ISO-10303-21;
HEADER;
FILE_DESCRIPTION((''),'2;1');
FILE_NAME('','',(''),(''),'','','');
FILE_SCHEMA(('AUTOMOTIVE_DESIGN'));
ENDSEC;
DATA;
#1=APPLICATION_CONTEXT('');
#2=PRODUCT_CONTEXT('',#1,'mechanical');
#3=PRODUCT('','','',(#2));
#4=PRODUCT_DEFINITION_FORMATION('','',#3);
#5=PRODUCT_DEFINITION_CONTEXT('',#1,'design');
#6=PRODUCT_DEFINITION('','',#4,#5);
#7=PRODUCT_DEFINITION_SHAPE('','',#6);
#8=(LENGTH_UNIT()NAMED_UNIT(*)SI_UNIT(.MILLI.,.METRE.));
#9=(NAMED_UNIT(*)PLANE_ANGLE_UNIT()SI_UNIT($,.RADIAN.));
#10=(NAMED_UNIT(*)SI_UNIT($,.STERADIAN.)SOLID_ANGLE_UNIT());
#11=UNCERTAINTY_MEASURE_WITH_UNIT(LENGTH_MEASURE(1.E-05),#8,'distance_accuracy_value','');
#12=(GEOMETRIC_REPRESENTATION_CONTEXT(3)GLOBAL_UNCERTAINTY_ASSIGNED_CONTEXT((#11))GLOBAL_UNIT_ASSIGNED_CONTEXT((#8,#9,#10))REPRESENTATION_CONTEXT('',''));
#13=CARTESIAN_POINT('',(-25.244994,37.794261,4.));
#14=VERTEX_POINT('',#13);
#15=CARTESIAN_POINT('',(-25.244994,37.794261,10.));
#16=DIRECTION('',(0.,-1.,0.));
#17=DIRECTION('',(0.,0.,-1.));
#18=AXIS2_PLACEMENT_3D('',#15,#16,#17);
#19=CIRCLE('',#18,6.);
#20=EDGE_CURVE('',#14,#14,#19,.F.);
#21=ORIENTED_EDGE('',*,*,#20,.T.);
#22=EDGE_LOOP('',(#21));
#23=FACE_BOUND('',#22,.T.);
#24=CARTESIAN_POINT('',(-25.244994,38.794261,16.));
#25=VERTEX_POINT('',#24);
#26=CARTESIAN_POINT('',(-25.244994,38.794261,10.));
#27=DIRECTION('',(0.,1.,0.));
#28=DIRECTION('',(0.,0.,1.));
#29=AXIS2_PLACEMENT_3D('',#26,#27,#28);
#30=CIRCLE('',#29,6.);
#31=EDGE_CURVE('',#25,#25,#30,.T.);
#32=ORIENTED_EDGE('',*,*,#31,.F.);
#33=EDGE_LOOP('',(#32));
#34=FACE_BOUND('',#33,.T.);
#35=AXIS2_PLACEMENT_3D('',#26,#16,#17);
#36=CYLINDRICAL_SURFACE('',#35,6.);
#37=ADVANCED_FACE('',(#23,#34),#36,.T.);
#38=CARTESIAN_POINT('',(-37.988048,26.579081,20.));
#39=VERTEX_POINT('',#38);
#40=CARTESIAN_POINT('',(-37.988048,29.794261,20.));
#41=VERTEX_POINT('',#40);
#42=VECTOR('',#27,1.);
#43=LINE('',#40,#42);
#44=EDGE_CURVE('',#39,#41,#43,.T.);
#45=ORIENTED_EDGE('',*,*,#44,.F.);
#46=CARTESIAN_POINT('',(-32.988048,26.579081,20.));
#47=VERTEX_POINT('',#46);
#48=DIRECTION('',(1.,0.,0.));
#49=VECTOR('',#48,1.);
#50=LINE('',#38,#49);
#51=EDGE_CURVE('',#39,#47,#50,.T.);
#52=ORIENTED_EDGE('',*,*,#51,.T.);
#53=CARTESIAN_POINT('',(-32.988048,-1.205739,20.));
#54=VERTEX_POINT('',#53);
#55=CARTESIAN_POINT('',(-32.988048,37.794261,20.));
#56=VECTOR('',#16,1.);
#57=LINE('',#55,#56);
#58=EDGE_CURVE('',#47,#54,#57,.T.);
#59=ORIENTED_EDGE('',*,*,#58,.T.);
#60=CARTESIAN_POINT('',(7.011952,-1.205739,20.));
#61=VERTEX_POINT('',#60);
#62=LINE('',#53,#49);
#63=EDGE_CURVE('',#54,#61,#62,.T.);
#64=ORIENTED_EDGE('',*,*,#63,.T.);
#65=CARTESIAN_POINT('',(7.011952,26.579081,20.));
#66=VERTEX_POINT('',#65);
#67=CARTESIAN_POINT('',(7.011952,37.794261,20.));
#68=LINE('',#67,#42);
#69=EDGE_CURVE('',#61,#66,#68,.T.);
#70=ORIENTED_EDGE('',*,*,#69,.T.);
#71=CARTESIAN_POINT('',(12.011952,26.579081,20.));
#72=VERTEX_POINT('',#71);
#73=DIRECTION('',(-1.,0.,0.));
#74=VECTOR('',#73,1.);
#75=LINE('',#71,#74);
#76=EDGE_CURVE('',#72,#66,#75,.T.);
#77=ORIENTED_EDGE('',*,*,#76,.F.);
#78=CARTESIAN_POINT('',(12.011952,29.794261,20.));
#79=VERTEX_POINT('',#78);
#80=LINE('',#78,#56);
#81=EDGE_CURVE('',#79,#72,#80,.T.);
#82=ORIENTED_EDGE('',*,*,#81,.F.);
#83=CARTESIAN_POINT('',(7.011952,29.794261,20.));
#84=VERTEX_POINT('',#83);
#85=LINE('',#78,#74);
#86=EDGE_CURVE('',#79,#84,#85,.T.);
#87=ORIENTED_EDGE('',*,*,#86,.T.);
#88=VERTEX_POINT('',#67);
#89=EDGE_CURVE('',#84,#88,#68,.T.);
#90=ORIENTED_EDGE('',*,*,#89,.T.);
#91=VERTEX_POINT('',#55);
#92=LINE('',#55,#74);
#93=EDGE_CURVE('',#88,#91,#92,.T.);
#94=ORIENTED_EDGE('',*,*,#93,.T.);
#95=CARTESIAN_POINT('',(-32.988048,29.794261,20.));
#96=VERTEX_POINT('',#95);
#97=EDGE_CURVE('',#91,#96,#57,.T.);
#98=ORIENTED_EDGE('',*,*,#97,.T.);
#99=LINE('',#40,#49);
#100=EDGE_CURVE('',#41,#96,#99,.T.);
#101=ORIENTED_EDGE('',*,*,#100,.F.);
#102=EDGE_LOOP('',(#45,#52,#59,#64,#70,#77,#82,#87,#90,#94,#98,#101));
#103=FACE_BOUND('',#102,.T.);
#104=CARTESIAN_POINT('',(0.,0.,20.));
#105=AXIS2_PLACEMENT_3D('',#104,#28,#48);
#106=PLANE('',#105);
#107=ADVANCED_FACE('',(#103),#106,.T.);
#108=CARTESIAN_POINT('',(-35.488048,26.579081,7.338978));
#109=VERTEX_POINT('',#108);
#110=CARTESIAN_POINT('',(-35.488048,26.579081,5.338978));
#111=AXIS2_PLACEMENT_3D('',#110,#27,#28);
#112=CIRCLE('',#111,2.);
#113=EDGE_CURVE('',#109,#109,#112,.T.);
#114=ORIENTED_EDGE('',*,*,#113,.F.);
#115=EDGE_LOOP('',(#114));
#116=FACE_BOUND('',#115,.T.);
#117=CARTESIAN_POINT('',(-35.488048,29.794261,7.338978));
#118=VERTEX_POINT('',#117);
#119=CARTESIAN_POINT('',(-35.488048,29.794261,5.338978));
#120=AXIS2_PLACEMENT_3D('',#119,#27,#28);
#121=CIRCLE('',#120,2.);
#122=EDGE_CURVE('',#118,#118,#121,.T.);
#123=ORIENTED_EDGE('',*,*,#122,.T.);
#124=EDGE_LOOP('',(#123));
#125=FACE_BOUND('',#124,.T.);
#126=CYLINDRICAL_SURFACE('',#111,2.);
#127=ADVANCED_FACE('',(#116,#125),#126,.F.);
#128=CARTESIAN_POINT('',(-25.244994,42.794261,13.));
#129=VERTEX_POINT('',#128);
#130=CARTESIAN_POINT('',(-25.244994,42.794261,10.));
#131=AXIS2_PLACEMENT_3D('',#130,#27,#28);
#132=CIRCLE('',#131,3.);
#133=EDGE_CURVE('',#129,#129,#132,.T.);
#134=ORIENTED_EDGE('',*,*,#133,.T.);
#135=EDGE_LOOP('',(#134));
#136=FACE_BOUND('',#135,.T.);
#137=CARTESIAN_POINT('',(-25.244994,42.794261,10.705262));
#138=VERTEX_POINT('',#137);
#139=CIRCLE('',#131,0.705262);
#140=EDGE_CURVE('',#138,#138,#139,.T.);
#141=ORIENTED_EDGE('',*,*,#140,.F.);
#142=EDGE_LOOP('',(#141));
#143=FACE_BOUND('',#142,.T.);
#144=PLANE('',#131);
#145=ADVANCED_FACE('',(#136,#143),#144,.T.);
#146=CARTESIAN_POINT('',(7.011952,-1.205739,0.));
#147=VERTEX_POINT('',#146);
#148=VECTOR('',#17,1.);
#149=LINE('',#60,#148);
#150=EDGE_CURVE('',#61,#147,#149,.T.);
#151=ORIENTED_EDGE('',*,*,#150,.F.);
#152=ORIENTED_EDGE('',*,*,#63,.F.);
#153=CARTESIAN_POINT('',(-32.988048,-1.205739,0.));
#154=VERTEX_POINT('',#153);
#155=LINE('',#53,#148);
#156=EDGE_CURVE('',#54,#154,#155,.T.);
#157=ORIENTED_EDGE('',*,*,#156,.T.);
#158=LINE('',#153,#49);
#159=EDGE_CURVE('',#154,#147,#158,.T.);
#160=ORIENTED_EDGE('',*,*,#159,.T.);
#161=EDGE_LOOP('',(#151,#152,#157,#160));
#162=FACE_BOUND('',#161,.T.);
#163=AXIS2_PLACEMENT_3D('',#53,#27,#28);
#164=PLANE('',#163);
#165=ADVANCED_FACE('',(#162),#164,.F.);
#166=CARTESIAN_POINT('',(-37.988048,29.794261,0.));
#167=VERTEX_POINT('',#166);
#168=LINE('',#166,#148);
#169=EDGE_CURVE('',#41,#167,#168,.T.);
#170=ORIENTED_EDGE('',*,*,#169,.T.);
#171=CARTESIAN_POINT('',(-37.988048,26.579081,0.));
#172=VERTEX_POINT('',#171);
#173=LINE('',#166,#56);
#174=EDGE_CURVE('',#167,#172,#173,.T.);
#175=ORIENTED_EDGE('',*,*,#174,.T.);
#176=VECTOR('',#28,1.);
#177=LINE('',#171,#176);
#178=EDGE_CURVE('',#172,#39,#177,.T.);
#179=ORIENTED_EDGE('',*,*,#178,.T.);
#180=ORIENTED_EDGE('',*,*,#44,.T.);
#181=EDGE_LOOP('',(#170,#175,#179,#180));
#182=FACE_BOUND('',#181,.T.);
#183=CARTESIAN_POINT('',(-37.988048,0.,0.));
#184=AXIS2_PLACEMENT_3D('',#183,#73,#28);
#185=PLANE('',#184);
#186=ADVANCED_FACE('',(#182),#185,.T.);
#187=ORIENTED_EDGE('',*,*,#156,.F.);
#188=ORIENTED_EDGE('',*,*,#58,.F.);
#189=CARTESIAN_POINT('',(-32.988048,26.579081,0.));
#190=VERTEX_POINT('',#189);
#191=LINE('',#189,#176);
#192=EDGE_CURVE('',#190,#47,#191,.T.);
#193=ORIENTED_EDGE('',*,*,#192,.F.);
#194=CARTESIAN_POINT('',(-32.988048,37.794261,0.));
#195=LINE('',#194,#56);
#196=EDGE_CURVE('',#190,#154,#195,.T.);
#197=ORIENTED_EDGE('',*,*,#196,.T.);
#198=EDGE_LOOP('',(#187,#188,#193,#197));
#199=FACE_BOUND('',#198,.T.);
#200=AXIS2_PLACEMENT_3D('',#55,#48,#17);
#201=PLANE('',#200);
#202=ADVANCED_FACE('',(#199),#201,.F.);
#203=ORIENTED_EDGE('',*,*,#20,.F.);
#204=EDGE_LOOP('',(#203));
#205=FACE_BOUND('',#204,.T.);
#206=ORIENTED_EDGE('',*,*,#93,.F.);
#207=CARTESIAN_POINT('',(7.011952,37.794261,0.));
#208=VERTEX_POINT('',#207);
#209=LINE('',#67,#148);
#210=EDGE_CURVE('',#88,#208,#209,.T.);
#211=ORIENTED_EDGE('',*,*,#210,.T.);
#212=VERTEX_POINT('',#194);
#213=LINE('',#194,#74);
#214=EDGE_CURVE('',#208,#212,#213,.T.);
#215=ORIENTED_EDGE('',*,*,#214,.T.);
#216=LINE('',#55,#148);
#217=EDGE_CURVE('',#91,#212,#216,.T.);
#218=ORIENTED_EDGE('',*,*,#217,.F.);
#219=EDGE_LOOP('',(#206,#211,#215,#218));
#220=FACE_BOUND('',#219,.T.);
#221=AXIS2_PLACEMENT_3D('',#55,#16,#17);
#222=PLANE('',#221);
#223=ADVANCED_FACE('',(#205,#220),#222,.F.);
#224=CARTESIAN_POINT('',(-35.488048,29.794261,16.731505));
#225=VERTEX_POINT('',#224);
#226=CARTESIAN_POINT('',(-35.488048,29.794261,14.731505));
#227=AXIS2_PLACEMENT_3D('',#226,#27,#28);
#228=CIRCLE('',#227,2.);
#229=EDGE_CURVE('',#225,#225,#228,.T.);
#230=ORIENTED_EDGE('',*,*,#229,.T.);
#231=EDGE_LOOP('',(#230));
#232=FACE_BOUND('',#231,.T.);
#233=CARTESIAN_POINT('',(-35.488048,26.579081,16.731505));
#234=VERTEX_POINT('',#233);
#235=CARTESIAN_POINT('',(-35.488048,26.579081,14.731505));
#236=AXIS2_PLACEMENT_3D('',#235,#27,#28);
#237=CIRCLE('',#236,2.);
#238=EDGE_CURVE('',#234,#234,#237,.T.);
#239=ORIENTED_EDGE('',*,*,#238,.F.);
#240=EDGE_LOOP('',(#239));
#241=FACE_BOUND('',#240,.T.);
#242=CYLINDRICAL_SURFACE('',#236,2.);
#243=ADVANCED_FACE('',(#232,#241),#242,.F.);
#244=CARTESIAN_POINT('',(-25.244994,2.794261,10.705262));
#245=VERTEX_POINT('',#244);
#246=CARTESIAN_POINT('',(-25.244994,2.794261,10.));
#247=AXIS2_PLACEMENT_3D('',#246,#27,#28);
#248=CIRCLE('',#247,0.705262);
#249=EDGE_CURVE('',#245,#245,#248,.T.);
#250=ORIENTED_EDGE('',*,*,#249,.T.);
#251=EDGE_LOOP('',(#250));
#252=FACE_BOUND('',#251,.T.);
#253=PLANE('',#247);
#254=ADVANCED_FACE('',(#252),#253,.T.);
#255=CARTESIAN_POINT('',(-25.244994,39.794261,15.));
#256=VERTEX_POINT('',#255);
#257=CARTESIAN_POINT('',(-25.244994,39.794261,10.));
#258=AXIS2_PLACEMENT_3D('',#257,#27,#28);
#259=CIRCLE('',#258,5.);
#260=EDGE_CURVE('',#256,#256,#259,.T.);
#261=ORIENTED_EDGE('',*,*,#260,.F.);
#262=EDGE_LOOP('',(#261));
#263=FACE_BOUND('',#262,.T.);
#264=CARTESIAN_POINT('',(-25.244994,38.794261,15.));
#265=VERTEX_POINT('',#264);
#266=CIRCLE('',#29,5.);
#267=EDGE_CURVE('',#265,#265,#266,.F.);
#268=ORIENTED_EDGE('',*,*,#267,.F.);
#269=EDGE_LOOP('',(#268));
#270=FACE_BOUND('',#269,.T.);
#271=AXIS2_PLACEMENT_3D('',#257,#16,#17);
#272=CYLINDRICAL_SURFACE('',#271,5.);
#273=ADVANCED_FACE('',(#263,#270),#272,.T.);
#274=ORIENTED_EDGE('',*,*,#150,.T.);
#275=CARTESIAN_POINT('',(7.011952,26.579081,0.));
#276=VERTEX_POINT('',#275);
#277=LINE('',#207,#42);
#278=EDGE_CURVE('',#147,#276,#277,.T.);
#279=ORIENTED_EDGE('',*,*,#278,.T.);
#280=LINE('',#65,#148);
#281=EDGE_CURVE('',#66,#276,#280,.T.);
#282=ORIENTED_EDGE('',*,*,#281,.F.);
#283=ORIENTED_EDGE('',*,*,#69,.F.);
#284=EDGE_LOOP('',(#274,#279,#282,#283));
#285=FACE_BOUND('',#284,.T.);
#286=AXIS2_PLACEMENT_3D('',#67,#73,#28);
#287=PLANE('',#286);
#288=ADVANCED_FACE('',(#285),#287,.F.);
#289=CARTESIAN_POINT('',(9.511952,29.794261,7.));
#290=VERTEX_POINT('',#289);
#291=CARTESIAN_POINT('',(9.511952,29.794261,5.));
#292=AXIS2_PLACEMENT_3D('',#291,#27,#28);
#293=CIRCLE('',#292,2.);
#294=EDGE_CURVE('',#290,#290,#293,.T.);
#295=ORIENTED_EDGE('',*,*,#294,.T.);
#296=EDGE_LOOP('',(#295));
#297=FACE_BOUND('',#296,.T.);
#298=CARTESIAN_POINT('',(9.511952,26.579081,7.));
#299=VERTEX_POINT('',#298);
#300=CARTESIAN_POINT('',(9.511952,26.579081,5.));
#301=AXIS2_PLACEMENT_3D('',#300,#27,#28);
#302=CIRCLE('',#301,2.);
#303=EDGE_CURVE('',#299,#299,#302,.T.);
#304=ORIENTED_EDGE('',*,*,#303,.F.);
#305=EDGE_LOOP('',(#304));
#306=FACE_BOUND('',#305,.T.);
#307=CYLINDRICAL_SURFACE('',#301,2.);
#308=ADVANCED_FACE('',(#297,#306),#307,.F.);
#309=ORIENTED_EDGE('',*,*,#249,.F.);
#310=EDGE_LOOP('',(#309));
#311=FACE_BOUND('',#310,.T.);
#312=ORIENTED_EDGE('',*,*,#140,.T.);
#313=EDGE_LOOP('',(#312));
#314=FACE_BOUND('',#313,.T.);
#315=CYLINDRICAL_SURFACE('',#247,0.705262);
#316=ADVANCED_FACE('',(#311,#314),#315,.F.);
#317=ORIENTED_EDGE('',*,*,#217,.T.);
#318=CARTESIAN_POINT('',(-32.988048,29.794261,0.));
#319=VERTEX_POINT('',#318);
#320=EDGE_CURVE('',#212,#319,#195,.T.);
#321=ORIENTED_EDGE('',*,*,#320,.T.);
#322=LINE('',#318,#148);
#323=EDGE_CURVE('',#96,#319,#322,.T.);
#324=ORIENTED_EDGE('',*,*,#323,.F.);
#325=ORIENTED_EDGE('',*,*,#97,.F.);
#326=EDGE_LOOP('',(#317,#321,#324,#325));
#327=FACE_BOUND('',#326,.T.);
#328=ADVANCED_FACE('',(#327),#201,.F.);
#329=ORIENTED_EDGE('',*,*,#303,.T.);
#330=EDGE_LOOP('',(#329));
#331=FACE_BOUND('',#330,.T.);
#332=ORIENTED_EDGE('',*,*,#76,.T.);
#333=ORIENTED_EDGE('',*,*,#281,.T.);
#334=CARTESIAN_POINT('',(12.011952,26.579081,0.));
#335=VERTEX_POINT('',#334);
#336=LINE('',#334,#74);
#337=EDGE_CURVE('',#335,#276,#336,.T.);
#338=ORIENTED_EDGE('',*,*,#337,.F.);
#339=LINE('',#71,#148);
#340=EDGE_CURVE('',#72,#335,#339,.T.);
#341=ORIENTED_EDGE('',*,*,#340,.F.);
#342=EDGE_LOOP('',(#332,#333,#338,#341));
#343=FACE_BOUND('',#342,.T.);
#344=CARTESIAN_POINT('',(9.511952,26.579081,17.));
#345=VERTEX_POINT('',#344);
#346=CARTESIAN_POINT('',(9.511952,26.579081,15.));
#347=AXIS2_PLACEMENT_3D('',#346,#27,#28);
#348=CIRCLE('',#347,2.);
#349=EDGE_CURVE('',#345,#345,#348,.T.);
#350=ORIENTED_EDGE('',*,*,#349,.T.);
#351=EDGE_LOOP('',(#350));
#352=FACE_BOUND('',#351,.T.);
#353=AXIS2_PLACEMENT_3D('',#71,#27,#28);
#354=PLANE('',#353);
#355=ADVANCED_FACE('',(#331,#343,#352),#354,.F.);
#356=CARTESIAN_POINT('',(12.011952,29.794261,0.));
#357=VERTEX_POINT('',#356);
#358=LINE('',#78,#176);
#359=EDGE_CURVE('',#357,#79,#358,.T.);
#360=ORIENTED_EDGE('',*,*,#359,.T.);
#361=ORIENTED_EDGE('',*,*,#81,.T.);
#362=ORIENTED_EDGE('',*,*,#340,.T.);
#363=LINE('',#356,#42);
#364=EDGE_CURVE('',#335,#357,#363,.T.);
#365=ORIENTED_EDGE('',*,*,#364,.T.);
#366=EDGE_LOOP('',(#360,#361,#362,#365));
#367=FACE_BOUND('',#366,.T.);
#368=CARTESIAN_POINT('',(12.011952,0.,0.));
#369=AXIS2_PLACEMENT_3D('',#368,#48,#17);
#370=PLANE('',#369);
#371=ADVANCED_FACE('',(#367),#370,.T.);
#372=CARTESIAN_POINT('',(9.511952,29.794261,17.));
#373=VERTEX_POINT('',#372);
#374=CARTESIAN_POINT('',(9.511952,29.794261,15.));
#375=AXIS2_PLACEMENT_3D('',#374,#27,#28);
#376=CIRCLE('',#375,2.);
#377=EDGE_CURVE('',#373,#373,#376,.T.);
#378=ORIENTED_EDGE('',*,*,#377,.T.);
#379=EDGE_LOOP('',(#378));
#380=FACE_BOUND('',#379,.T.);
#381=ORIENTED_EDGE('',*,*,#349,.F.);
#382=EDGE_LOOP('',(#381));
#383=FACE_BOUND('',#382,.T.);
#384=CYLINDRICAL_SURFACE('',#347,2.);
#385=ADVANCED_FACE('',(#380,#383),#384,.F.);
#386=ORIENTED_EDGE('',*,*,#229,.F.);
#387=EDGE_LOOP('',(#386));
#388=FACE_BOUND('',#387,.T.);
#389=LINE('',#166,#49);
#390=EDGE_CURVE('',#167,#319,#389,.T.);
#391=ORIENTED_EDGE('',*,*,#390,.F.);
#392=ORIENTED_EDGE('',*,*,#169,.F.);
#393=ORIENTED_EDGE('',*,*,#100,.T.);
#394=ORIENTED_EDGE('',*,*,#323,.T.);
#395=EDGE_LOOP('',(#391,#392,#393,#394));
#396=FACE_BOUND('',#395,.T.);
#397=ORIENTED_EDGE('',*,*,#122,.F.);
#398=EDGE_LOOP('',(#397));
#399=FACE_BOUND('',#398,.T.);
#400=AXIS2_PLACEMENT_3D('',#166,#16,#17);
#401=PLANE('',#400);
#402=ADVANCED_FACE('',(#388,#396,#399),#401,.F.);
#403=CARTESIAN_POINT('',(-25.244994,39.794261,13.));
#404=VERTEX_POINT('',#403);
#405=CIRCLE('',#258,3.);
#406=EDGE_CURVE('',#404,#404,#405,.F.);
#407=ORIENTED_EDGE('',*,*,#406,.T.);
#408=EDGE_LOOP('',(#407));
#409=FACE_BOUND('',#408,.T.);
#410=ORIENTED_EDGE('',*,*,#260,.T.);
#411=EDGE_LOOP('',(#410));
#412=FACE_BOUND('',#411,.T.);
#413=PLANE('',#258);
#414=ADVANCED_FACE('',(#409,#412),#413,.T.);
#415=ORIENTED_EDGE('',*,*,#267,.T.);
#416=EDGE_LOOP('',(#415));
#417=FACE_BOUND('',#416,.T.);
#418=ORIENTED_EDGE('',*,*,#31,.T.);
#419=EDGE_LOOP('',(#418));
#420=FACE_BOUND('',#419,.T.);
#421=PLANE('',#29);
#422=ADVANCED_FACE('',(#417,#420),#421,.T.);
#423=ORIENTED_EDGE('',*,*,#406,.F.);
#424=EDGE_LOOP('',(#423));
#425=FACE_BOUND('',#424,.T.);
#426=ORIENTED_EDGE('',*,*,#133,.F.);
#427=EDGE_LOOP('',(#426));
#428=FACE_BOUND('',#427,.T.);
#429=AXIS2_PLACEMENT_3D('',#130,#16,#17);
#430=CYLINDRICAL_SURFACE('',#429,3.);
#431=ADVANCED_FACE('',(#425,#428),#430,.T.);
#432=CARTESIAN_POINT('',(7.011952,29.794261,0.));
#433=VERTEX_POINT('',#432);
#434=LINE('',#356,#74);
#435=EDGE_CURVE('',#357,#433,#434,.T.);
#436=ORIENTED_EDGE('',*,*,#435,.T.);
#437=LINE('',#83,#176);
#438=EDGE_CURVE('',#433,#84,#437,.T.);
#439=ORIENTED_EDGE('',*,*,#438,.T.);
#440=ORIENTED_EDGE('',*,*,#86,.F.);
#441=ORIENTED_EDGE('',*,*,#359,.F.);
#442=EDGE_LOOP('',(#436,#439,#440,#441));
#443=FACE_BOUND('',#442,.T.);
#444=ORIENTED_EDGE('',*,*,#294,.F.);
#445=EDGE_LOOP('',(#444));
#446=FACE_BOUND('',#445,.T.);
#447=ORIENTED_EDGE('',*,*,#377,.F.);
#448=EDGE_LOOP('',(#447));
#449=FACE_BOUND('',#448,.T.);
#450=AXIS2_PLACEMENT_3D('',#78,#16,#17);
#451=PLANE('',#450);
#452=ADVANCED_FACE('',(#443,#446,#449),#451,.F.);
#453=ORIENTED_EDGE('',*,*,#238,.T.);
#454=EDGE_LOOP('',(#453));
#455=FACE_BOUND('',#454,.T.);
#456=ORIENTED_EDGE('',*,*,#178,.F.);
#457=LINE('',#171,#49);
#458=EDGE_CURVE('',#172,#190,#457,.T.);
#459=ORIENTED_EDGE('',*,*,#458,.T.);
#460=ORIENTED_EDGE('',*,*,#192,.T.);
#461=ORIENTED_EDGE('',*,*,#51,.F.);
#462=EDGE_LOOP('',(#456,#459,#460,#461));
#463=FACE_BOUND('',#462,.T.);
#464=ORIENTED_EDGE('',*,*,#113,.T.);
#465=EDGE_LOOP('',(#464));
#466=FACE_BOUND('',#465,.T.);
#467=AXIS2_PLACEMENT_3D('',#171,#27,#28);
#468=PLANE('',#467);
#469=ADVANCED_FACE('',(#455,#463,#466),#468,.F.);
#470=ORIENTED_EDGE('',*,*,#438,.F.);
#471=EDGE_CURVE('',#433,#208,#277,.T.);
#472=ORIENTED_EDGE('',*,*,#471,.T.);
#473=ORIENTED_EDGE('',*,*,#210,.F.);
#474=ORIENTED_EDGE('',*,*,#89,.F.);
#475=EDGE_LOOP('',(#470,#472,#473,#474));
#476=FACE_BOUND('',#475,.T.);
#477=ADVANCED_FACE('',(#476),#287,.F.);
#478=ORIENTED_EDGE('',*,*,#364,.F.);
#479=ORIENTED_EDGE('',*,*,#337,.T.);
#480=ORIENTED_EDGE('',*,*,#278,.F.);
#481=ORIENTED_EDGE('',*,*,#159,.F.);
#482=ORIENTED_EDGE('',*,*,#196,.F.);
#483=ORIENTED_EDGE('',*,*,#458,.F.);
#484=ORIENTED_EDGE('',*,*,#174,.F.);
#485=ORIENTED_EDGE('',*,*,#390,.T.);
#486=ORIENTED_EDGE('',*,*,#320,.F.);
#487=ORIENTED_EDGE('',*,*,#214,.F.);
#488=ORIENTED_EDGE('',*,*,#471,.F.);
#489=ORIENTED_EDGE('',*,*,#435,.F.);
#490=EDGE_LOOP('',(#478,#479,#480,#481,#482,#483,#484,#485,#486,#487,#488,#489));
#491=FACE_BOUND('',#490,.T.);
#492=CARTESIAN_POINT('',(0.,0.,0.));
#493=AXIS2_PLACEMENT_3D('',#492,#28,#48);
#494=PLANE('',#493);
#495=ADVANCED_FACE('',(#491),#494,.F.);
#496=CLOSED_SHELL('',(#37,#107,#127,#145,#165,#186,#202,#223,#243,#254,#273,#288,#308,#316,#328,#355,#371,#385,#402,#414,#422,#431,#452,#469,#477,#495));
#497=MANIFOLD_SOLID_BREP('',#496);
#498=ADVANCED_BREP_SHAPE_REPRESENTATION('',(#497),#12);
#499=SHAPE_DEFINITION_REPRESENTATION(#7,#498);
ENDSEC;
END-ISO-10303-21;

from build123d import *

# Parameters (mm, degrees)
SKETCH_1_W            = 40
SKETCH_1_H            = 39
EXTRUDE_1_DEPTH       = 20
SKETCH_4_W            = 20
SKETCH_4_H            = 3.215179838
EXTRUDE_2_DEPTH       = 5
SKETCH_5_W            = 20
SKETCH_5_H            = 3.215179838
EXTRUDE_3_DEPTH       = 5
SKETCH_7_R            = 2
CUT_EXTRUDE_2_DEPTH   = 3.21517984
SKETCH_8_R            = 2
CUT_EXTRUDE_3_DEPTH   = 3.21517984
EXTRUDE_7_DEPTH       = 1
EXTRUDE_7_DEPTH_BACK  = 39
SKETCH_9_R            = 6
EXTRUDE_9_DEPTH       = 1
EXTRUDE_9_DEPTH_BACK  = 40
SKETCH_10_R           = 5
EXTRUDE_10_DEPTH      = 3
EXTRUDE_10_DEPTH_BACK = 41
SKETCH_11_R           = 3
SKETCH_12_R           = 0.705262345
CUT_EXTRUDE_4_DEPTH   = 40


with BuildPart() as part:
    # 草图1 → 凸台-拉伸1 (new body)
    with BuildSketch(Plane.XY):
        with Locations((-12.988047809, 18.294260929)):
            Rectangle(SKETCH_1_W, SKETCH_1_H)
    extrude(amount=EXTRUDE_1_DEPTH)

    # 草图4 → 凸台-拉伸2 (add)
    with BuildSketch(Plane.ZY.offset(32.988047809)):
        with Locations((10, 28.18667101)):
            Rectangle(SKETCH_4_W, SKETCH_4_H)
    extrude(amount=EXTRUDE_2_DEPTH)

    # 草图5 → 凸台-拉伸3 (add)
    with BuildSketch(Plane(origin=(7.011952191, 0, 0), x_dir=(0, 0, -1), z_dir=(1, 0, 0))):
        with Locations((-10, 28.18667101)):
            Rectangle(SKETCH_5_W, SKETCH_5_H)
    extrude(amount=EXTRUDE_3_DEPTH)

    # 草图7 → 切除-拉伸2 (cut)
    with BuildSketch(Plane(origin=(0, 29.794260929, 0), x_dir=(1, 0, 0), z_dir=(0, 1, 0))):
        with Locations(Location((-35.488047809, -5.338978439, 0), (0, 0, 270))):
            Circle(SKETCH_7_R)
        with Locations(Location((-35.488047809, -14.731505131, 0), (0, 0, 270))):
            Circle(SKETCH_7_R)
    extrude(amount=-CUT_EXTRUDE_2_DEPTH, mode=Mode.SUBTRACT)

    # 草图8 → 切除-拉伸3 (cut)
    with BuildSketch(Plane(origin=(0, 29.794260929, 0), x_dir=(1, 0, 0), z_dir=(0, 1, 0))):
        with Locations(Location((9.511952191, -5, 0), (0, 0, 270))):
            Circle(SKETCH_8_R)
        with Locations(Location((9.511952191, -15, 0), (0, 0, 270))):
            Circle(SKETCH_8_R)
    extrude(amount=-CUT_EXTRUDE_3_DEPTH, mode=Mode.SUBTRACT)

    # 草图9 → 凸台-拉伸7 (add, two sides: drawn at the far end of the back side and taken through both)
    with BuildSketch(Plane(origin=(0, 37.794260929, 0), x_dir=(1, 0, 0), z_dir=(0, 1, 0)).offset(-EXTRUDE_7_DEPTH_BACK)):
        with Locations(Location((-25.244994163, -10, 0), (0, 0, 90))):
            Circle(SKETCH_9_R)
    extrude(amount=EXTRUDE_7_DEPTH + EXTRUDE_7_DEPTH_BACK)

    # 草图10 → 凸台-拉伸9 (add, two sides: drawn at the far end of the back side and taken through both)
    with BuildSketch(Plane(origin=(0, 38.794260929, 0), x_dir=(1, 0, 0), z_dir=(0, 1, 0)).offset(-EXTRUDE_9_DEPTH_BACK)):
        with Locations(Location((-25.244994163, -10, 0), (0, 0, 270))):
            Circle(SKETCH_10_R)
    extrude(amount=EXTRUDE_9_DEPTH + EXTRUDE_9_DEPTH_BACK)

    # 草图11 → 凸台-拉伸10 (add, two sides: drawn at the far end of the back side and taken through both)
    with BuildSketch(Plane(origin=(0, 39.794260929, 0), x_dir=(1, 0, 0), z_dir=(0, 1, 0)).offset(-EXTRUDE_10_DEPTH_BACK)):
        with Locations(Location((-25.244994163, -10, 0), (0, 0, 270))):
            Circle(SKETCH_11_R)
    extrude(amount=EXTRUDE_10_DEPTH + EXTRUDE_10_DEPTH_BACK)

    # 草图12 → 切除-拉伸4 (cut)
    with BuildSketch(Plane(origin=(0, 42.794260929, 0), x_dir=(1, 0, 0), z_dir=(0, 1, 0))):
        with Locations(Location((-25.244994163, -10, 0), (0, 0, 270))):
            Circle(SKETCH_12_R)
    extrude(amount=-CUT_EXTRUDE_4_DEPTH, mode=Mode.SUBTRACT)


solid = part.part
